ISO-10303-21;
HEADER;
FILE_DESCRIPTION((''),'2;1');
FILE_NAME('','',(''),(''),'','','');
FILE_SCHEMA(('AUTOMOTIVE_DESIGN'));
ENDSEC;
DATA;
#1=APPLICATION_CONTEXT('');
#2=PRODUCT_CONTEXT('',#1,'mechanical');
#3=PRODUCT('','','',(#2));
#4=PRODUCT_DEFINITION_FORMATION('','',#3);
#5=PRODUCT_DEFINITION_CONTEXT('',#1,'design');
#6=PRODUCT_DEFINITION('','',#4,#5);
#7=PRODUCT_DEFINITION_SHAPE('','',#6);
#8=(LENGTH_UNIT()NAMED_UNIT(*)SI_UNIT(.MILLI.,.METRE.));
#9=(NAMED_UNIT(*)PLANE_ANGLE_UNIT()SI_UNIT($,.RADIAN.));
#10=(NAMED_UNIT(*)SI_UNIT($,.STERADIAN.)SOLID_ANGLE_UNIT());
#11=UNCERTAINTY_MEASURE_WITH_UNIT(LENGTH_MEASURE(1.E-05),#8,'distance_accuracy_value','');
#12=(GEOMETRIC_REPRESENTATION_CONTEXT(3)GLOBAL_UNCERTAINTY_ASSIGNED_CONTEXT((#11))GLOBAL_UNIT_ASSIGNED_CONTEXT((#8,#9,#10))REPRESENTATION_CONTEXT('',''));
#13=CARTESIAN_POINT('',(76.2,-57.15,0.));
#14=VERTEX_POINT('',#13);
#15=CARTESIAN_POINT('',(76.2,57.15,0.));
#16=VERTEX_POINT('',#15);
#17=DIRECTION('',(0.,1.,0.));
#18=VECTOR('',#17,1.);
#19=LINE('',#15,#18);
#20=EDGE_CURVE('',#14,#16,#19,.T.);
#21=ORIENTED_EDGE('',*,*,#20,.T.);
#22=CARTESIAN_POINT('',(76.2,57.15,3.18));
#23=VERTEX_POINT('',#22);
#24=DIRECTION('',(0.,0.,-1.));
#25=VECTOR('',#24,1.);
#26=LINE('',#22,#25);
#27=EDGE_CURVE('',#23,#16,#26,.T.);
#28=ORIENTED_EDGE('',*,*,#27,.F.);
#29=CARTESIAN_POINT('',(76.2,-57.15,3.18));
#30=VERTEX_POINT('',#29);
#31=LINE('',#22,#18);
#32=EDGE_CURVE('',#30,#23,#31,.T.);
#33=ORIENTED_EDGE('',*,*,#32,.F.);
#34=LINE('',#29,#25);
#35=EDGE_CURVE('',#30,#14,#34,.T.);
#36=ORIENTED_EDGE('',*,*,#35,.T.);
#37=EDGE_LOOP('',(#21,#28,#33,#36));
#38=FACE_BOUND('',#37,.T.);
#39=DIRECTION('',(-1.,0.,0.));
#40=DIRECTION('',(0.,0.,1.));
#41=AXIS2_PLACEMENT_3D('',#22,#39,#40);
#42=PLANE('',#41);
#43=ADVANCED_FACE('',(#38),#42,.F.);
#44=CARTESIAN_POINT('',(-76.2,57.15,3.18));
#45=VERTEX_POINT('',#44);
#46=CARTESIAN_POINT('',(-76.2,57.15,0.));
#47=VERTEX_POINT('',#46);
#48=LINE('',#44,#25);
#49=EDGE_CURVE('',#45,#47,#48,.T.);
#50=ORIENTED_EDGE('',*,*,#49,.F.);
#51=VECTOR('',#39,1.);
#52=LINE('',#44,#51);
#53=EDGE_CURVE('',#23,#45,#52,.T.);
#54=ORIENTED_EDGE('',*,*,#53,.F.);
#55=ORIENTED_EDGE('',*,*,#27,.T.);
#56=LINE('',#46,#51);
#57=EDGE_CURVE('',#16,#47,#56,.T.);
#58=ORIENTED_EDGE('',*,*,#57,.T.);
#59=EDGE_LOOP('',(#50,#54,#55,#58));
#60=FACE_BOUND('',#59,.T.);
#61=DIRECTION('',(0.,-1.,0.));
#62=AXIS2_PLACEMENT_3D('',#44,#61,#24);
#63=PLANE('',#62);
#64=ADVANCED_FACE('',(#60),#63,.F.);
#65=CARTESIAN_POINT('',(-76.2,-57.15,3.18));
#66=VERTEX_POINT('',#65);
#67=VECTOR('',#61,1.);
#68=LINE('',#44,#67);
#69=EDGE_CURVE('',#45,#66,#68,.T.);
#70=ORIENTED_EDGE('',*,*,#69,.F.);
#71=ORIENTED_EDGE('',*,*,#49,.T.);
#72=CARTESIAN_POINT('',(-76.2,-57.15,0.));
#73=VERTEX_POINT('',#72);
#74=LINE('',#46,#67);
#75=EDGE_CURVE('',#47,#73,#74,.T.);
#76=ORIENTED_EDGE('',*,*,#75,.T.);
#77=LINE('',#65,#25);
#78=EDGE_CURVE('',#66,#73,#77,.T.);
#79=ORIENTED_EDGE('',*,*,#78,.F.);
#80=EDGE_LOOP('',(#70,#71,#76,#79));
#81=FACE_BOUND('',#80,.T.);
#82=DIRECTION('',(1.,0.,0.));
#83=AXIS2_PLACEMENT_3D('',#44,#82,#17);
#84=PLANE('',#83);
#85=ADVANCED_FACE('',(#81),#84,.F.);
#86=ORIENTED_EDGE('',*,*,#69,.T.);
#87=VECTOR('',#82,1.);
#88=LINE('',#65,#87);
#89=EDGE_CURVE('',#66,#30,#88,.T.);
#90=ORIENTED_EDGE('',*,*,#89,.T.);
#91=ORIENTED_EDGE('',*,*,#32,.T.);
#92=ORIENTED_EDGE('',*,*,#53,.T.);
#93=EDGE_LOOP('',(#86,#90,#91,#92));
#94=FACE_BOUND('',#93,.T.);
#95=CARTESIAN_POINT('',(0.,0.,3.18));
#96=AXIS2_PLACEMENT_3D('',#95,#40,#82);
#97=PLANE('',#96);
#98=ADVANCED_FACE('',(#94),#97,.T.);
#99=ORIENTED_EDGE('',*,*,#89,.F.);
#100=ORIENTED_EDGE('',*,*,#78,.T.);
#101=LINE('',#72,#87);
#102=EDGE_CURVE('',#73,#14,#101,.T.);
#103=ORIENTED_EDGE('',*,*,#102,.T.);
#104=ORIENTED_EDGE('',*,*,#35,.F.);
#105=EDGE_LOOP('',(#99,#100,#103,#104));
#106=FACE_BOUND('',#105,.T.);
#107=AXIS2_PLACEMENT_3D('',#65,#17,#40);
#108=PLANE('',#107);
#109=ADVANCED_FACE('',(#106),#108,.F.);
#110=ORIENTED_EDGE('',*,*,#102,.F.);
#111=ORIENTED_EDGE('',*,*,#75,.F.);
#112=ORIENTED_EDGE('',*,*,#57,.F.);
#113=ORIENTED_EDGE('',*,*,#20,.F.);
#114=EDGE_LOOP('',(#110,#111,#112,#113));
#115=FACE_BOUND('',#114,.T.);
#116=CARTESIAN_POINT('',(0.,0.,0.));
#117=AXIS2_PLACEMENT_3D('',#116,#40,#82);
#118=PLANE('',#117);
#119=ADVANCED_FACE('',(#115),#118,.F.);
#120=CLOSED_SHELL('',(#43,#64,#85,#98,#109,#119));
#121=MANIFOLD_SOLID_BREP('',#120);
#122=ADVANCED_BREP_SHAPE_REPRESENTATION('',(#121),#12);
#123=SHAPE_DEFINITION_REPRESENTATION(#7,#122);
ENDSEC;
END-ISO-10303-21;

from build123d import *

# Parameters (mm, degrees)
SKETCH1_W           = 152.4
SKETCH1_H           = 114.3
BOSS_EXTRUDE1_DEPTH = 3.18


with BuildPart() as part:
    # Sketch1 → Boss-Extrude1 (new body)
    with BuildSketch(Plane.XY):
        Rectangle(SKETCH1_W, SKETCH1_H)
    extrude(amount=BOSS_EXTRUDE1_DEPTH)


solid = part.part
